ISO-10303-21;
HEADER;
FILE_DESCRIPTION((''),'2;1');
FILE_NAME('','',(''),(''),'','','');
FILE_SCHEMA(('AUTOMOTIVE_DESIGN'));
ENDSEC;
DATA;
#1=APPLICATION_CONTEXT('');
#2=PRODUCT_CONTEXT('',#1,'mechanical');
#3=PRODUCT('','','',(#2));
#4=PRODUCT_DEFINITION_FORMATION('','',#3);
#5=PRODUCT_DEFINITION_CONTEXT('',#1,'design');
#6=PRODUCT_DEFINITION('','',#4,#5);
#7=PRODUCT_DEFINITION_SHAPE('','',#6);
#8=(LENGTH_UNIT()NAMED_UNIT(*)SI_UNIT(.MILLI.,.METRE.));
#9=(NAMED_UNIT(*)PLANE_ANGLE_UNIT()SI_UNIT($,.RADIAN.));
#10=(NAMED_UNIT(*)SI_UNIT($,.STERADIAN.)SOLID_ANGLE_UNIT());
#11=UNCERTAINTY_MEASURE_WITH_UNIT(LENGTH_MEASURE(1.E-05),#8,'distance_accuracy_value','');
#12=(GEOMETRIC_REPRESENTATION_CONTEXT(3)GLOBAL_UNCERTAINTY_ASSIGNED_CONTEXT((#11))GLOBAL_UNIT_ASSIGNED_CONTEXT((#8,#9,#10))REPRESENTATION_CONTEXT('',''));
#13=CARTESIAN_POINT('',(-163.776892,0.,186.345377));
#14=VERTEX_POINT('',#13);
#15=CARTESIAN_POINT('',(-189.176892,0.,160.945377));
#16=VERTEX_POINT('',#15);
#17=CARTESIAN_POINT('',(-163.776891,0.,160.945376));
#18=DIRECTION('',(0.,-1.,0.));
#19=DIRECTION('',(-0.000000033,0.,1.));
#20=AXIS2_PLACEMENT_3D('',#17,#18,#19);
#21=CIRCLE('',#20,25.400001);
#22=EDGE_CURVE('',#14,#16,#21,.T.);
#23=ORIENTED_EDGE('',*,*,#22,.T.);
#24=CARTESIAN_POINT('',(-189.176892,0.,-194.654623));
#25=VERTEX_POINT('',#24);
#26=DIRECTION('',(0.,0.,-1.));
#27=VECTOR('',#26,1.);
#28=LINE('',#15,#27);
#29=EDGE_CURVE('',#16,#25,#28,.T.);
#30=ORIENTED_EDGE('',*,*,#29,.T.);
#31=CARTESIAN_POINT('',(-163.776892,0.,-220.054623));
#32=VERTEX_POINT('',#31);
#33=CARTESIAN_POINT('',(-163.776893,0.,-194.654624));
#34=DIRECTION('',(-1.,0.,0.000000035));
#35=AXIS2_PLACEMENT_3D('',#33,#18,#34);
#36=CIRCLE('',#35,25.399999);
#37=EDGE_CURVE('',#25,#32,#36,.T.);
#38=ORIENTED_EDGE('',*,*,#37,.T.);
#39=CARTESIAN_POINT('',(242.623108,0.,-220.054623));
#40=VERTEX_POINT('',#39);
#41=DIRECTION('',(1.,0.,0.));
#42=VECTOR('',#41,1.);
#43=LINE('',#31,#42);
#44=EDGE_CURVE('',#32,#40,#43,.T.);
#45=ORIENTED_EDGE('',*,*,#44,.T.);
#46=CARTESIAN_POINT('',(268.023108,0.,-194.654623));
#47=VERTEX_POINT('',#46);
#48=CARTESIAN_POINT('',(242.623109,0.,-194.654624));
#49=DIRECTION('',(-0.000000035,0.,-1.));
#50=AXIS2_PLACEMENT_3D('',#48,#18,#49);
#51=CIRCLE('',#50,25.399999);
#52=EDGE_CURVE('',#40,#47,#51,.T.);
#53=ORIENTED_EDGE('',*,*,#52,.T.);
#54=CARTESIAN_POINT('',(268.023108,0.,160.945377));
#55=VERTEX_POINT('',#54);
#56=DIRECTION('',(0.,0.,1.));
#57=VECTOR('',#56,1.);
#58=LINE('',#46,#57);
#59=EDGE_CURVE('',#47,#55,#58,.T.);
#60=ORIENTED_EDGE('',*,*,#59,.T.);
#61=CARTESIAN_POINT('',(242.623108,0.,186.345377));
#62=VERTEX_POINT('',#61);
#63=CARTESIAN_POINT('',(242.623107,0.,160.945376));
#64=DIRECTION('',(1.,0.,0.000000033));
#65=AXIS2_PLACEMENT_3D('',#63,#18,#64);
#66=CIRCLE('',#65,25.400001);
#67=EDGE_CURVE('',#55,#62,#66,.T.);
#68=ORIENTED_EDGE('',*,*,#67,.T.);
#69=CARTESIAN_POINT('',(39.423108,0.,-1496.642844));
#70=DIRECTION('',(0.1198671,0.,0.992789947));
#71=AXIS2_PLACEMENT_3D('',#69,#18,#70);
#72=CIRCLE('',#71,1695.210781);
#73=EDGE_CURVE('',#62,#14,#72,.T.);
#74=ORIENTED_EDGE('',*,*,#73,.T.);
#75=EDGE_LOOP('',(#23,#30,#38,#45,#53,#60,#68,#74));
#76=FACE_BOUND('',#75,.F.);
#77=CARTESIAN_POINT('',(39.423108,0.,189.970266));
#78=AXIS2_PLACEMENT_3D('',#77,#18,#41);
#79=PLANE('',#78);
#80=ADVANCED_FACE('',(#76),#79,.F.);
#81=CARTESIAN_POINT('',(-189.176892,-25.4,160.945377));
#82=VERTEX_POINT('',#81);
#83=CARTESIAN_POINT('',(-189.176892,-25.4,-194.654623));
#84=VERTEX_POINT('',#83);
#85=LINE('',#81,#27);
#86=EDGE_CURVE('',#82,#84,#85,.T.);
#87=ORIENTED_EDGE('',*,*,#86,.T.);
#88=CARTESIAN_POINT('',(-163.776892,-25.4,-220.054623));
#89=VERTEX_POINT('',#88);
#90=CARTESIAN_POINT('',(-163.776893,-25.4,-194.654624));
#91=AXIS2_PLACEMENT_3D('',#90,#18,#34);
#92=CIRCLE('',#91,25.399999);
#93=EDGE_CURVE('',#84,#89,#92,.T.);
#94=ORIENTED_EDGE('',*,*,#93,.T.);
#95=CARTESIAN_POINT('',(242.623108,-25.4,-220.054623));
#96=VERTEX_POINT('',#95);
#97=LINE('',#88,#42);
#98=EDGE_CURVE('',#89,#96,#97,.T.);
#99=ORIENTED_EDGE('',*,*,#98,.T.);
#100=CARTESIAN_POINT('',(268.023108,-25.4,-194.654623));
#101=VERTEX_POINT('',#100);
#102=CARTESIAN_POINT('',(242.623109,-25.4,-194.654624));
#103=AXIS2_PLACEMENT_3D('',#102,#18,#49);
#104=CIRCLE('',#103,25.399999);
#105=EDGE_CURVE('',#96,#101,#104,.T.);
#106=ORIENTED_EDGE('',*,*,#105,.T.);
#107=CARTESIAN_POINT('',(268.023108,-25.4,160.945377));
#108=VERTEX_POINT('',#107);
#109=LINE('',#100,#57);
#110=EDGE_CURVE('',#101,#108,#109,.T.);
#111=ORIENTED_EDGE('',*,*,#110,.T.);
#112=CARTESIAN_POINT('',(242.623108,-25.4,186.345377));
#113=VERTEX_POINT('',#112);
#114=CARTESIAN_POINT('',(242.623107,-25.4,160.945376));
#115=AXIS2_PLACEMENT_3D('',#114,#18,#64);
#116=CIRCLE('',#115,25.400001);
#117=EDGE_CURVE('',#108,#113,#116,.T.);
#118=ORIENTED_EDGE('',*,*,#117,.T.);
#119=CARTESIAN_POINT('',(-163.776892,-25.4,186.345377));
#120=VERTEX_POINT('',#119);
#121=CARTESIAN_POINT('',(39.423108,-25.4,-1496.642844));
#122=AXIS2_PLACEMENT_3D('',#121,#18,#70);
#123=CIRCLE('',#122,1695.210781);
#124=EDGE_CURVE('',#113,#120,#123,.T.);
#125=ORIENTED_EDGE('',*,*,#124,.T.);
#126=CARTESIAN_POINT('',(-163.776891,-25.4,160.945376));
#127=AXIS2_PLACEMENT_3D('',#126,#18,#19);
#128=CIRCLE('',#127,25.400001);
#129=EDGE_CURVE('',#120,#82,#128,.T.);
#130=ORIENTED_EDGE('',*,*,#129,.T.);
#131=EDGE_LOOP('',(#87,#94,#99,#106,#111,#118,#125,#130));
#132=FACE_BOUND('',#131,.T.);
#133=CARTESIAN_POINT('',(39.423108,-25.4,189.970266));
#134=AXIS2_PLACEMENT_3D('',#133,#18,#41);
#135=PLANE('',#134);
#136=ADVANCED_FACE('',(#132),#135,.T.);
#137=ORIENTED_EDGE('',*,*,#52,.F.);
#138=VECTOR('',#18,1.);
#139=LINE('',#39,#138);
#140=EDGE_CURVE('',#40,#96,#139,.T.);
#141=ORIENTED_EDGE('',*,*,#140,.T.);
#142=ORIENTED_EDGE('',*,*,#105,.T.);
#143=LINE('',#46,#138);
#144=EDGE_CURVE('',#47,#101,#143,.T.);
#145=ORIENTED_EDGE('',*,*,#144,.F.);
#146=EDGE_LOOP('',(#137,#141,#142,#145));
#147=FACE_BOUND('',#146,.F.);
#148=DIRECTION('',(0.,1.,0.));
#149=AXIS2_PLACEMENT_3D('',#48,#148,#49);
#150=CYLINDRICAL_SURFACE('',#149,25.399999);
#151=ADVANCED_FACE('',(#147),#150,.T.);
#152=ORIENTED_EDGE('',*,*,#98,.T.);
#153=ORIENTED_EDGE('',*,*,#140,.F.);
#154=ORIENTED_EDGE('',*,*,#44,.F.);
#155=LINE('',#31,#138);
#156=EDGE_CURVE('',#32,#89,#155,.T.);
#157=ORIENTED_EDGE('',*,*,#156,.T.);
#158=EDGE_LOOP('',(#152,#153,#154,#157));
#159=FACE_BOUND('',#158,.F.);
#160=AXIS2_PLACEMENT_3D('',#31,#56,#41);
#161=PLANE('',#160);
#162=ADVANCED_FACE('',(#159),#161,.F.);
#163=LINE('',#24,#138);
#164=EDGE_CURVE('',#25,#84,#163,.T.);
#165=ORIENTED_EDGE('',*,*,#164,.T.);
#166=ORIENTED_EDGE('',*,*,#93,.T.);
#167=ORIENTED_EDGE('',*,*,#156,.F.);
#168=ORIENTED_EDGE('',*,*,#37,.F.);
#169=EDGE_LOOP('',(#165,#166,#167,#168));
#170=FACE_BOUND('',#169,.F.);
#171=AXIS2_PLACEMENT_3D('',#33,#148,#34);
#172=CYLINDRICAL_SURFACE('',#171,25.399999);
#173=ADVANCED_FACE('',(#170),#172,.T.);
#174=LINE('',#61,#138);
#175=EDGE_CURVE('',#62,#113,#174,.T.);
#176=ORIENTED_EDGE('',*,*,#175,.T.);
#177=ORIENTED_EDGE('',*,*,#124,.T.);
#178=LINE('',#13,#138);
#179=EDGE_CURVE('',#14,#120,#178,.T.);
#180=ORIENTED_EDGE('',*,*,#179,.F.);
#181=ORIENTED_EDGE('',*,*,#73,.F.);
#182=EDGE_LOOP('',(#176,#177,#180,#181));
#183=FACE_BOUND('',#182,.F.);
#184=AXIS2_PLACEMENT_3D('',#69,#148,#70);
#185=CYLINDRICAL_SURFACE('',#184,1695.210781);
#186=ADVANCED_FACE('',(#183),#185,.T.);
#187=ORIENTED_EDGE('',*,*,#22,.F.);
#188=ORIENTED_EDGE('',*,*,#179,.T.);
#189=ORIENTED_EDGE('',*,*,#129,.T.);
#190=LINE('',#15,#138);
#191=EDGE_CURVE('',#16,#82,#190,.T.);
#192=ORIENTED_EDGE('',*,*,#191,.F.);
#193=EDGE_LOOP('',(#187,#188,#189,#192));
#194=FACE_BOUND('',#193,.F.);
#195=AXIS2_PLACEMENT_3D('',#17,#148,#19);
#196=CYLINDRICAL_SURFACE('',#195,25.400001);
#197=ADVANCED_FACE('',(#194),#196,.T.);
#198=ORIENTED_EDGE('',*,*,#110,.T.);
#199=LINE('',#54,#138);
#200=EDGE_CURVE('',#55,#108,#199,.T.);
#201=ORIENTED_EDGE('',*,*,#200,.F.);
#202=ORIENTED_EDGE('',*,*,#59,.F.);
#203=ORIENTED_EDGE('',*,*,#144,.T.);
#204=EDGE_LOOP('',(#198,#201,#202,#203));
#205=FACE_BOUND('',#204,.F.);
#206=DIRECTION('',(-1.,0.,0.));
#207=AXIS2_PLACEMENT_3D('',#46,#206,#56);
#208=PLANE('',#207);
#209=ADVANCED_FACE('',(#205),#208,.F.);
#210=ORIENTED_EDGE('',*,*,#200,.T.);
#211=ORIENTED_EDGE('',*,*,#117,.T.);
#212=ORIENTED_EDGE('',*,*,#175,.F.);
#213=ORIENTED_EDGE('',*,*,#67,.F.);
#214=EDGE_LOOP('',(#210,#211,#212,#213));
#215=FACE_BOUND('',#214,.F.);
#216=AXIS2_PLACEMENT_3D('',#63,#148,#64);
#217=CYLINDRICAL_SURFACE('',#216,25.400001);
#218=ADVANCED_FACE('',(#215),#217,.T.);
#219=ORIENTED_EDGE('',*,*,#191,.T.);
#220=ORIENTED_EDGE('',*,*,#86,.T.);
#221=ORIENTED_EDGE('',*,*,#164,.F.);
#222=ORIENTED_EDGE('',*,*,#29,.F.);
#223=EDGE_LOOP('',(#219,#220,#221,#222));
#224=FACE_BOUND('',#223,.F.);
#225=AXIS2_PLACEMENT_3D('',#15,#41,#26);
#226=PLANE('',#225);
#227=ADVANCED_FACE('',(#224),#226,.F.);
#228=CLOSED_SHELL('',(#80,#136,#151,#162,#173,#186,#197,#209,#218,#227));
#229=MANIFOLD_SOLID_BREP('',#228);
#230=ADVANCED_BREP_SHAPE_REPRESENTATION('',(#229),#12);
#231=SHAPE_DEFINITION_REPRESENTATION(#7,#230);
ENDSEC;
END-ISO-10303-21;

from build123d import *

# Parameters (mm, degrees)
F1_DEPTH = 25.4


with BuildPart() as f1:
    # F0 (on Front) → F1 (new body)
    with BuildSketch(Plane.XZ):
        with BuildLine():
            ThreePointArc((242.623108, 186.345377), (39.423108, 198.567937), (-163.776892, 186.345377))
            Line((-163.776892, 186.345377), (242.623108, 186.345377))
        make_face()
        with BuildLine():
            Line((242.623108, 186.345377), (-163.776892, 186.345377))
            ThreePointArc((-163.776892, 186.345377), (-181.737404, 178.905889), (-189.176892, 160.945377))
            Line((-189.176892, 160.945377), (-189.176892, -194.654623))
            ThreePointArc((-189.176892, -194.654623), (-181.737404, -212.615136), (-163.776892, -220.054623))
            Line((-163.776892, -220.054623), (242.623108, -220.054623))
            ThreePointArc((242.623108, -220.054623), (260.58362, -212.615136), (268.023108, -194.654623))
            Line((268.023108, -194.654623), (268.023108, 160.945377))
            ThreePointArc((268.023108, 160.945377), (260.58362, 178.905889), (242.623108, 186.345377))
        make_face()
    extrude(amount=F1_DEPTH)


solid = f1.part
